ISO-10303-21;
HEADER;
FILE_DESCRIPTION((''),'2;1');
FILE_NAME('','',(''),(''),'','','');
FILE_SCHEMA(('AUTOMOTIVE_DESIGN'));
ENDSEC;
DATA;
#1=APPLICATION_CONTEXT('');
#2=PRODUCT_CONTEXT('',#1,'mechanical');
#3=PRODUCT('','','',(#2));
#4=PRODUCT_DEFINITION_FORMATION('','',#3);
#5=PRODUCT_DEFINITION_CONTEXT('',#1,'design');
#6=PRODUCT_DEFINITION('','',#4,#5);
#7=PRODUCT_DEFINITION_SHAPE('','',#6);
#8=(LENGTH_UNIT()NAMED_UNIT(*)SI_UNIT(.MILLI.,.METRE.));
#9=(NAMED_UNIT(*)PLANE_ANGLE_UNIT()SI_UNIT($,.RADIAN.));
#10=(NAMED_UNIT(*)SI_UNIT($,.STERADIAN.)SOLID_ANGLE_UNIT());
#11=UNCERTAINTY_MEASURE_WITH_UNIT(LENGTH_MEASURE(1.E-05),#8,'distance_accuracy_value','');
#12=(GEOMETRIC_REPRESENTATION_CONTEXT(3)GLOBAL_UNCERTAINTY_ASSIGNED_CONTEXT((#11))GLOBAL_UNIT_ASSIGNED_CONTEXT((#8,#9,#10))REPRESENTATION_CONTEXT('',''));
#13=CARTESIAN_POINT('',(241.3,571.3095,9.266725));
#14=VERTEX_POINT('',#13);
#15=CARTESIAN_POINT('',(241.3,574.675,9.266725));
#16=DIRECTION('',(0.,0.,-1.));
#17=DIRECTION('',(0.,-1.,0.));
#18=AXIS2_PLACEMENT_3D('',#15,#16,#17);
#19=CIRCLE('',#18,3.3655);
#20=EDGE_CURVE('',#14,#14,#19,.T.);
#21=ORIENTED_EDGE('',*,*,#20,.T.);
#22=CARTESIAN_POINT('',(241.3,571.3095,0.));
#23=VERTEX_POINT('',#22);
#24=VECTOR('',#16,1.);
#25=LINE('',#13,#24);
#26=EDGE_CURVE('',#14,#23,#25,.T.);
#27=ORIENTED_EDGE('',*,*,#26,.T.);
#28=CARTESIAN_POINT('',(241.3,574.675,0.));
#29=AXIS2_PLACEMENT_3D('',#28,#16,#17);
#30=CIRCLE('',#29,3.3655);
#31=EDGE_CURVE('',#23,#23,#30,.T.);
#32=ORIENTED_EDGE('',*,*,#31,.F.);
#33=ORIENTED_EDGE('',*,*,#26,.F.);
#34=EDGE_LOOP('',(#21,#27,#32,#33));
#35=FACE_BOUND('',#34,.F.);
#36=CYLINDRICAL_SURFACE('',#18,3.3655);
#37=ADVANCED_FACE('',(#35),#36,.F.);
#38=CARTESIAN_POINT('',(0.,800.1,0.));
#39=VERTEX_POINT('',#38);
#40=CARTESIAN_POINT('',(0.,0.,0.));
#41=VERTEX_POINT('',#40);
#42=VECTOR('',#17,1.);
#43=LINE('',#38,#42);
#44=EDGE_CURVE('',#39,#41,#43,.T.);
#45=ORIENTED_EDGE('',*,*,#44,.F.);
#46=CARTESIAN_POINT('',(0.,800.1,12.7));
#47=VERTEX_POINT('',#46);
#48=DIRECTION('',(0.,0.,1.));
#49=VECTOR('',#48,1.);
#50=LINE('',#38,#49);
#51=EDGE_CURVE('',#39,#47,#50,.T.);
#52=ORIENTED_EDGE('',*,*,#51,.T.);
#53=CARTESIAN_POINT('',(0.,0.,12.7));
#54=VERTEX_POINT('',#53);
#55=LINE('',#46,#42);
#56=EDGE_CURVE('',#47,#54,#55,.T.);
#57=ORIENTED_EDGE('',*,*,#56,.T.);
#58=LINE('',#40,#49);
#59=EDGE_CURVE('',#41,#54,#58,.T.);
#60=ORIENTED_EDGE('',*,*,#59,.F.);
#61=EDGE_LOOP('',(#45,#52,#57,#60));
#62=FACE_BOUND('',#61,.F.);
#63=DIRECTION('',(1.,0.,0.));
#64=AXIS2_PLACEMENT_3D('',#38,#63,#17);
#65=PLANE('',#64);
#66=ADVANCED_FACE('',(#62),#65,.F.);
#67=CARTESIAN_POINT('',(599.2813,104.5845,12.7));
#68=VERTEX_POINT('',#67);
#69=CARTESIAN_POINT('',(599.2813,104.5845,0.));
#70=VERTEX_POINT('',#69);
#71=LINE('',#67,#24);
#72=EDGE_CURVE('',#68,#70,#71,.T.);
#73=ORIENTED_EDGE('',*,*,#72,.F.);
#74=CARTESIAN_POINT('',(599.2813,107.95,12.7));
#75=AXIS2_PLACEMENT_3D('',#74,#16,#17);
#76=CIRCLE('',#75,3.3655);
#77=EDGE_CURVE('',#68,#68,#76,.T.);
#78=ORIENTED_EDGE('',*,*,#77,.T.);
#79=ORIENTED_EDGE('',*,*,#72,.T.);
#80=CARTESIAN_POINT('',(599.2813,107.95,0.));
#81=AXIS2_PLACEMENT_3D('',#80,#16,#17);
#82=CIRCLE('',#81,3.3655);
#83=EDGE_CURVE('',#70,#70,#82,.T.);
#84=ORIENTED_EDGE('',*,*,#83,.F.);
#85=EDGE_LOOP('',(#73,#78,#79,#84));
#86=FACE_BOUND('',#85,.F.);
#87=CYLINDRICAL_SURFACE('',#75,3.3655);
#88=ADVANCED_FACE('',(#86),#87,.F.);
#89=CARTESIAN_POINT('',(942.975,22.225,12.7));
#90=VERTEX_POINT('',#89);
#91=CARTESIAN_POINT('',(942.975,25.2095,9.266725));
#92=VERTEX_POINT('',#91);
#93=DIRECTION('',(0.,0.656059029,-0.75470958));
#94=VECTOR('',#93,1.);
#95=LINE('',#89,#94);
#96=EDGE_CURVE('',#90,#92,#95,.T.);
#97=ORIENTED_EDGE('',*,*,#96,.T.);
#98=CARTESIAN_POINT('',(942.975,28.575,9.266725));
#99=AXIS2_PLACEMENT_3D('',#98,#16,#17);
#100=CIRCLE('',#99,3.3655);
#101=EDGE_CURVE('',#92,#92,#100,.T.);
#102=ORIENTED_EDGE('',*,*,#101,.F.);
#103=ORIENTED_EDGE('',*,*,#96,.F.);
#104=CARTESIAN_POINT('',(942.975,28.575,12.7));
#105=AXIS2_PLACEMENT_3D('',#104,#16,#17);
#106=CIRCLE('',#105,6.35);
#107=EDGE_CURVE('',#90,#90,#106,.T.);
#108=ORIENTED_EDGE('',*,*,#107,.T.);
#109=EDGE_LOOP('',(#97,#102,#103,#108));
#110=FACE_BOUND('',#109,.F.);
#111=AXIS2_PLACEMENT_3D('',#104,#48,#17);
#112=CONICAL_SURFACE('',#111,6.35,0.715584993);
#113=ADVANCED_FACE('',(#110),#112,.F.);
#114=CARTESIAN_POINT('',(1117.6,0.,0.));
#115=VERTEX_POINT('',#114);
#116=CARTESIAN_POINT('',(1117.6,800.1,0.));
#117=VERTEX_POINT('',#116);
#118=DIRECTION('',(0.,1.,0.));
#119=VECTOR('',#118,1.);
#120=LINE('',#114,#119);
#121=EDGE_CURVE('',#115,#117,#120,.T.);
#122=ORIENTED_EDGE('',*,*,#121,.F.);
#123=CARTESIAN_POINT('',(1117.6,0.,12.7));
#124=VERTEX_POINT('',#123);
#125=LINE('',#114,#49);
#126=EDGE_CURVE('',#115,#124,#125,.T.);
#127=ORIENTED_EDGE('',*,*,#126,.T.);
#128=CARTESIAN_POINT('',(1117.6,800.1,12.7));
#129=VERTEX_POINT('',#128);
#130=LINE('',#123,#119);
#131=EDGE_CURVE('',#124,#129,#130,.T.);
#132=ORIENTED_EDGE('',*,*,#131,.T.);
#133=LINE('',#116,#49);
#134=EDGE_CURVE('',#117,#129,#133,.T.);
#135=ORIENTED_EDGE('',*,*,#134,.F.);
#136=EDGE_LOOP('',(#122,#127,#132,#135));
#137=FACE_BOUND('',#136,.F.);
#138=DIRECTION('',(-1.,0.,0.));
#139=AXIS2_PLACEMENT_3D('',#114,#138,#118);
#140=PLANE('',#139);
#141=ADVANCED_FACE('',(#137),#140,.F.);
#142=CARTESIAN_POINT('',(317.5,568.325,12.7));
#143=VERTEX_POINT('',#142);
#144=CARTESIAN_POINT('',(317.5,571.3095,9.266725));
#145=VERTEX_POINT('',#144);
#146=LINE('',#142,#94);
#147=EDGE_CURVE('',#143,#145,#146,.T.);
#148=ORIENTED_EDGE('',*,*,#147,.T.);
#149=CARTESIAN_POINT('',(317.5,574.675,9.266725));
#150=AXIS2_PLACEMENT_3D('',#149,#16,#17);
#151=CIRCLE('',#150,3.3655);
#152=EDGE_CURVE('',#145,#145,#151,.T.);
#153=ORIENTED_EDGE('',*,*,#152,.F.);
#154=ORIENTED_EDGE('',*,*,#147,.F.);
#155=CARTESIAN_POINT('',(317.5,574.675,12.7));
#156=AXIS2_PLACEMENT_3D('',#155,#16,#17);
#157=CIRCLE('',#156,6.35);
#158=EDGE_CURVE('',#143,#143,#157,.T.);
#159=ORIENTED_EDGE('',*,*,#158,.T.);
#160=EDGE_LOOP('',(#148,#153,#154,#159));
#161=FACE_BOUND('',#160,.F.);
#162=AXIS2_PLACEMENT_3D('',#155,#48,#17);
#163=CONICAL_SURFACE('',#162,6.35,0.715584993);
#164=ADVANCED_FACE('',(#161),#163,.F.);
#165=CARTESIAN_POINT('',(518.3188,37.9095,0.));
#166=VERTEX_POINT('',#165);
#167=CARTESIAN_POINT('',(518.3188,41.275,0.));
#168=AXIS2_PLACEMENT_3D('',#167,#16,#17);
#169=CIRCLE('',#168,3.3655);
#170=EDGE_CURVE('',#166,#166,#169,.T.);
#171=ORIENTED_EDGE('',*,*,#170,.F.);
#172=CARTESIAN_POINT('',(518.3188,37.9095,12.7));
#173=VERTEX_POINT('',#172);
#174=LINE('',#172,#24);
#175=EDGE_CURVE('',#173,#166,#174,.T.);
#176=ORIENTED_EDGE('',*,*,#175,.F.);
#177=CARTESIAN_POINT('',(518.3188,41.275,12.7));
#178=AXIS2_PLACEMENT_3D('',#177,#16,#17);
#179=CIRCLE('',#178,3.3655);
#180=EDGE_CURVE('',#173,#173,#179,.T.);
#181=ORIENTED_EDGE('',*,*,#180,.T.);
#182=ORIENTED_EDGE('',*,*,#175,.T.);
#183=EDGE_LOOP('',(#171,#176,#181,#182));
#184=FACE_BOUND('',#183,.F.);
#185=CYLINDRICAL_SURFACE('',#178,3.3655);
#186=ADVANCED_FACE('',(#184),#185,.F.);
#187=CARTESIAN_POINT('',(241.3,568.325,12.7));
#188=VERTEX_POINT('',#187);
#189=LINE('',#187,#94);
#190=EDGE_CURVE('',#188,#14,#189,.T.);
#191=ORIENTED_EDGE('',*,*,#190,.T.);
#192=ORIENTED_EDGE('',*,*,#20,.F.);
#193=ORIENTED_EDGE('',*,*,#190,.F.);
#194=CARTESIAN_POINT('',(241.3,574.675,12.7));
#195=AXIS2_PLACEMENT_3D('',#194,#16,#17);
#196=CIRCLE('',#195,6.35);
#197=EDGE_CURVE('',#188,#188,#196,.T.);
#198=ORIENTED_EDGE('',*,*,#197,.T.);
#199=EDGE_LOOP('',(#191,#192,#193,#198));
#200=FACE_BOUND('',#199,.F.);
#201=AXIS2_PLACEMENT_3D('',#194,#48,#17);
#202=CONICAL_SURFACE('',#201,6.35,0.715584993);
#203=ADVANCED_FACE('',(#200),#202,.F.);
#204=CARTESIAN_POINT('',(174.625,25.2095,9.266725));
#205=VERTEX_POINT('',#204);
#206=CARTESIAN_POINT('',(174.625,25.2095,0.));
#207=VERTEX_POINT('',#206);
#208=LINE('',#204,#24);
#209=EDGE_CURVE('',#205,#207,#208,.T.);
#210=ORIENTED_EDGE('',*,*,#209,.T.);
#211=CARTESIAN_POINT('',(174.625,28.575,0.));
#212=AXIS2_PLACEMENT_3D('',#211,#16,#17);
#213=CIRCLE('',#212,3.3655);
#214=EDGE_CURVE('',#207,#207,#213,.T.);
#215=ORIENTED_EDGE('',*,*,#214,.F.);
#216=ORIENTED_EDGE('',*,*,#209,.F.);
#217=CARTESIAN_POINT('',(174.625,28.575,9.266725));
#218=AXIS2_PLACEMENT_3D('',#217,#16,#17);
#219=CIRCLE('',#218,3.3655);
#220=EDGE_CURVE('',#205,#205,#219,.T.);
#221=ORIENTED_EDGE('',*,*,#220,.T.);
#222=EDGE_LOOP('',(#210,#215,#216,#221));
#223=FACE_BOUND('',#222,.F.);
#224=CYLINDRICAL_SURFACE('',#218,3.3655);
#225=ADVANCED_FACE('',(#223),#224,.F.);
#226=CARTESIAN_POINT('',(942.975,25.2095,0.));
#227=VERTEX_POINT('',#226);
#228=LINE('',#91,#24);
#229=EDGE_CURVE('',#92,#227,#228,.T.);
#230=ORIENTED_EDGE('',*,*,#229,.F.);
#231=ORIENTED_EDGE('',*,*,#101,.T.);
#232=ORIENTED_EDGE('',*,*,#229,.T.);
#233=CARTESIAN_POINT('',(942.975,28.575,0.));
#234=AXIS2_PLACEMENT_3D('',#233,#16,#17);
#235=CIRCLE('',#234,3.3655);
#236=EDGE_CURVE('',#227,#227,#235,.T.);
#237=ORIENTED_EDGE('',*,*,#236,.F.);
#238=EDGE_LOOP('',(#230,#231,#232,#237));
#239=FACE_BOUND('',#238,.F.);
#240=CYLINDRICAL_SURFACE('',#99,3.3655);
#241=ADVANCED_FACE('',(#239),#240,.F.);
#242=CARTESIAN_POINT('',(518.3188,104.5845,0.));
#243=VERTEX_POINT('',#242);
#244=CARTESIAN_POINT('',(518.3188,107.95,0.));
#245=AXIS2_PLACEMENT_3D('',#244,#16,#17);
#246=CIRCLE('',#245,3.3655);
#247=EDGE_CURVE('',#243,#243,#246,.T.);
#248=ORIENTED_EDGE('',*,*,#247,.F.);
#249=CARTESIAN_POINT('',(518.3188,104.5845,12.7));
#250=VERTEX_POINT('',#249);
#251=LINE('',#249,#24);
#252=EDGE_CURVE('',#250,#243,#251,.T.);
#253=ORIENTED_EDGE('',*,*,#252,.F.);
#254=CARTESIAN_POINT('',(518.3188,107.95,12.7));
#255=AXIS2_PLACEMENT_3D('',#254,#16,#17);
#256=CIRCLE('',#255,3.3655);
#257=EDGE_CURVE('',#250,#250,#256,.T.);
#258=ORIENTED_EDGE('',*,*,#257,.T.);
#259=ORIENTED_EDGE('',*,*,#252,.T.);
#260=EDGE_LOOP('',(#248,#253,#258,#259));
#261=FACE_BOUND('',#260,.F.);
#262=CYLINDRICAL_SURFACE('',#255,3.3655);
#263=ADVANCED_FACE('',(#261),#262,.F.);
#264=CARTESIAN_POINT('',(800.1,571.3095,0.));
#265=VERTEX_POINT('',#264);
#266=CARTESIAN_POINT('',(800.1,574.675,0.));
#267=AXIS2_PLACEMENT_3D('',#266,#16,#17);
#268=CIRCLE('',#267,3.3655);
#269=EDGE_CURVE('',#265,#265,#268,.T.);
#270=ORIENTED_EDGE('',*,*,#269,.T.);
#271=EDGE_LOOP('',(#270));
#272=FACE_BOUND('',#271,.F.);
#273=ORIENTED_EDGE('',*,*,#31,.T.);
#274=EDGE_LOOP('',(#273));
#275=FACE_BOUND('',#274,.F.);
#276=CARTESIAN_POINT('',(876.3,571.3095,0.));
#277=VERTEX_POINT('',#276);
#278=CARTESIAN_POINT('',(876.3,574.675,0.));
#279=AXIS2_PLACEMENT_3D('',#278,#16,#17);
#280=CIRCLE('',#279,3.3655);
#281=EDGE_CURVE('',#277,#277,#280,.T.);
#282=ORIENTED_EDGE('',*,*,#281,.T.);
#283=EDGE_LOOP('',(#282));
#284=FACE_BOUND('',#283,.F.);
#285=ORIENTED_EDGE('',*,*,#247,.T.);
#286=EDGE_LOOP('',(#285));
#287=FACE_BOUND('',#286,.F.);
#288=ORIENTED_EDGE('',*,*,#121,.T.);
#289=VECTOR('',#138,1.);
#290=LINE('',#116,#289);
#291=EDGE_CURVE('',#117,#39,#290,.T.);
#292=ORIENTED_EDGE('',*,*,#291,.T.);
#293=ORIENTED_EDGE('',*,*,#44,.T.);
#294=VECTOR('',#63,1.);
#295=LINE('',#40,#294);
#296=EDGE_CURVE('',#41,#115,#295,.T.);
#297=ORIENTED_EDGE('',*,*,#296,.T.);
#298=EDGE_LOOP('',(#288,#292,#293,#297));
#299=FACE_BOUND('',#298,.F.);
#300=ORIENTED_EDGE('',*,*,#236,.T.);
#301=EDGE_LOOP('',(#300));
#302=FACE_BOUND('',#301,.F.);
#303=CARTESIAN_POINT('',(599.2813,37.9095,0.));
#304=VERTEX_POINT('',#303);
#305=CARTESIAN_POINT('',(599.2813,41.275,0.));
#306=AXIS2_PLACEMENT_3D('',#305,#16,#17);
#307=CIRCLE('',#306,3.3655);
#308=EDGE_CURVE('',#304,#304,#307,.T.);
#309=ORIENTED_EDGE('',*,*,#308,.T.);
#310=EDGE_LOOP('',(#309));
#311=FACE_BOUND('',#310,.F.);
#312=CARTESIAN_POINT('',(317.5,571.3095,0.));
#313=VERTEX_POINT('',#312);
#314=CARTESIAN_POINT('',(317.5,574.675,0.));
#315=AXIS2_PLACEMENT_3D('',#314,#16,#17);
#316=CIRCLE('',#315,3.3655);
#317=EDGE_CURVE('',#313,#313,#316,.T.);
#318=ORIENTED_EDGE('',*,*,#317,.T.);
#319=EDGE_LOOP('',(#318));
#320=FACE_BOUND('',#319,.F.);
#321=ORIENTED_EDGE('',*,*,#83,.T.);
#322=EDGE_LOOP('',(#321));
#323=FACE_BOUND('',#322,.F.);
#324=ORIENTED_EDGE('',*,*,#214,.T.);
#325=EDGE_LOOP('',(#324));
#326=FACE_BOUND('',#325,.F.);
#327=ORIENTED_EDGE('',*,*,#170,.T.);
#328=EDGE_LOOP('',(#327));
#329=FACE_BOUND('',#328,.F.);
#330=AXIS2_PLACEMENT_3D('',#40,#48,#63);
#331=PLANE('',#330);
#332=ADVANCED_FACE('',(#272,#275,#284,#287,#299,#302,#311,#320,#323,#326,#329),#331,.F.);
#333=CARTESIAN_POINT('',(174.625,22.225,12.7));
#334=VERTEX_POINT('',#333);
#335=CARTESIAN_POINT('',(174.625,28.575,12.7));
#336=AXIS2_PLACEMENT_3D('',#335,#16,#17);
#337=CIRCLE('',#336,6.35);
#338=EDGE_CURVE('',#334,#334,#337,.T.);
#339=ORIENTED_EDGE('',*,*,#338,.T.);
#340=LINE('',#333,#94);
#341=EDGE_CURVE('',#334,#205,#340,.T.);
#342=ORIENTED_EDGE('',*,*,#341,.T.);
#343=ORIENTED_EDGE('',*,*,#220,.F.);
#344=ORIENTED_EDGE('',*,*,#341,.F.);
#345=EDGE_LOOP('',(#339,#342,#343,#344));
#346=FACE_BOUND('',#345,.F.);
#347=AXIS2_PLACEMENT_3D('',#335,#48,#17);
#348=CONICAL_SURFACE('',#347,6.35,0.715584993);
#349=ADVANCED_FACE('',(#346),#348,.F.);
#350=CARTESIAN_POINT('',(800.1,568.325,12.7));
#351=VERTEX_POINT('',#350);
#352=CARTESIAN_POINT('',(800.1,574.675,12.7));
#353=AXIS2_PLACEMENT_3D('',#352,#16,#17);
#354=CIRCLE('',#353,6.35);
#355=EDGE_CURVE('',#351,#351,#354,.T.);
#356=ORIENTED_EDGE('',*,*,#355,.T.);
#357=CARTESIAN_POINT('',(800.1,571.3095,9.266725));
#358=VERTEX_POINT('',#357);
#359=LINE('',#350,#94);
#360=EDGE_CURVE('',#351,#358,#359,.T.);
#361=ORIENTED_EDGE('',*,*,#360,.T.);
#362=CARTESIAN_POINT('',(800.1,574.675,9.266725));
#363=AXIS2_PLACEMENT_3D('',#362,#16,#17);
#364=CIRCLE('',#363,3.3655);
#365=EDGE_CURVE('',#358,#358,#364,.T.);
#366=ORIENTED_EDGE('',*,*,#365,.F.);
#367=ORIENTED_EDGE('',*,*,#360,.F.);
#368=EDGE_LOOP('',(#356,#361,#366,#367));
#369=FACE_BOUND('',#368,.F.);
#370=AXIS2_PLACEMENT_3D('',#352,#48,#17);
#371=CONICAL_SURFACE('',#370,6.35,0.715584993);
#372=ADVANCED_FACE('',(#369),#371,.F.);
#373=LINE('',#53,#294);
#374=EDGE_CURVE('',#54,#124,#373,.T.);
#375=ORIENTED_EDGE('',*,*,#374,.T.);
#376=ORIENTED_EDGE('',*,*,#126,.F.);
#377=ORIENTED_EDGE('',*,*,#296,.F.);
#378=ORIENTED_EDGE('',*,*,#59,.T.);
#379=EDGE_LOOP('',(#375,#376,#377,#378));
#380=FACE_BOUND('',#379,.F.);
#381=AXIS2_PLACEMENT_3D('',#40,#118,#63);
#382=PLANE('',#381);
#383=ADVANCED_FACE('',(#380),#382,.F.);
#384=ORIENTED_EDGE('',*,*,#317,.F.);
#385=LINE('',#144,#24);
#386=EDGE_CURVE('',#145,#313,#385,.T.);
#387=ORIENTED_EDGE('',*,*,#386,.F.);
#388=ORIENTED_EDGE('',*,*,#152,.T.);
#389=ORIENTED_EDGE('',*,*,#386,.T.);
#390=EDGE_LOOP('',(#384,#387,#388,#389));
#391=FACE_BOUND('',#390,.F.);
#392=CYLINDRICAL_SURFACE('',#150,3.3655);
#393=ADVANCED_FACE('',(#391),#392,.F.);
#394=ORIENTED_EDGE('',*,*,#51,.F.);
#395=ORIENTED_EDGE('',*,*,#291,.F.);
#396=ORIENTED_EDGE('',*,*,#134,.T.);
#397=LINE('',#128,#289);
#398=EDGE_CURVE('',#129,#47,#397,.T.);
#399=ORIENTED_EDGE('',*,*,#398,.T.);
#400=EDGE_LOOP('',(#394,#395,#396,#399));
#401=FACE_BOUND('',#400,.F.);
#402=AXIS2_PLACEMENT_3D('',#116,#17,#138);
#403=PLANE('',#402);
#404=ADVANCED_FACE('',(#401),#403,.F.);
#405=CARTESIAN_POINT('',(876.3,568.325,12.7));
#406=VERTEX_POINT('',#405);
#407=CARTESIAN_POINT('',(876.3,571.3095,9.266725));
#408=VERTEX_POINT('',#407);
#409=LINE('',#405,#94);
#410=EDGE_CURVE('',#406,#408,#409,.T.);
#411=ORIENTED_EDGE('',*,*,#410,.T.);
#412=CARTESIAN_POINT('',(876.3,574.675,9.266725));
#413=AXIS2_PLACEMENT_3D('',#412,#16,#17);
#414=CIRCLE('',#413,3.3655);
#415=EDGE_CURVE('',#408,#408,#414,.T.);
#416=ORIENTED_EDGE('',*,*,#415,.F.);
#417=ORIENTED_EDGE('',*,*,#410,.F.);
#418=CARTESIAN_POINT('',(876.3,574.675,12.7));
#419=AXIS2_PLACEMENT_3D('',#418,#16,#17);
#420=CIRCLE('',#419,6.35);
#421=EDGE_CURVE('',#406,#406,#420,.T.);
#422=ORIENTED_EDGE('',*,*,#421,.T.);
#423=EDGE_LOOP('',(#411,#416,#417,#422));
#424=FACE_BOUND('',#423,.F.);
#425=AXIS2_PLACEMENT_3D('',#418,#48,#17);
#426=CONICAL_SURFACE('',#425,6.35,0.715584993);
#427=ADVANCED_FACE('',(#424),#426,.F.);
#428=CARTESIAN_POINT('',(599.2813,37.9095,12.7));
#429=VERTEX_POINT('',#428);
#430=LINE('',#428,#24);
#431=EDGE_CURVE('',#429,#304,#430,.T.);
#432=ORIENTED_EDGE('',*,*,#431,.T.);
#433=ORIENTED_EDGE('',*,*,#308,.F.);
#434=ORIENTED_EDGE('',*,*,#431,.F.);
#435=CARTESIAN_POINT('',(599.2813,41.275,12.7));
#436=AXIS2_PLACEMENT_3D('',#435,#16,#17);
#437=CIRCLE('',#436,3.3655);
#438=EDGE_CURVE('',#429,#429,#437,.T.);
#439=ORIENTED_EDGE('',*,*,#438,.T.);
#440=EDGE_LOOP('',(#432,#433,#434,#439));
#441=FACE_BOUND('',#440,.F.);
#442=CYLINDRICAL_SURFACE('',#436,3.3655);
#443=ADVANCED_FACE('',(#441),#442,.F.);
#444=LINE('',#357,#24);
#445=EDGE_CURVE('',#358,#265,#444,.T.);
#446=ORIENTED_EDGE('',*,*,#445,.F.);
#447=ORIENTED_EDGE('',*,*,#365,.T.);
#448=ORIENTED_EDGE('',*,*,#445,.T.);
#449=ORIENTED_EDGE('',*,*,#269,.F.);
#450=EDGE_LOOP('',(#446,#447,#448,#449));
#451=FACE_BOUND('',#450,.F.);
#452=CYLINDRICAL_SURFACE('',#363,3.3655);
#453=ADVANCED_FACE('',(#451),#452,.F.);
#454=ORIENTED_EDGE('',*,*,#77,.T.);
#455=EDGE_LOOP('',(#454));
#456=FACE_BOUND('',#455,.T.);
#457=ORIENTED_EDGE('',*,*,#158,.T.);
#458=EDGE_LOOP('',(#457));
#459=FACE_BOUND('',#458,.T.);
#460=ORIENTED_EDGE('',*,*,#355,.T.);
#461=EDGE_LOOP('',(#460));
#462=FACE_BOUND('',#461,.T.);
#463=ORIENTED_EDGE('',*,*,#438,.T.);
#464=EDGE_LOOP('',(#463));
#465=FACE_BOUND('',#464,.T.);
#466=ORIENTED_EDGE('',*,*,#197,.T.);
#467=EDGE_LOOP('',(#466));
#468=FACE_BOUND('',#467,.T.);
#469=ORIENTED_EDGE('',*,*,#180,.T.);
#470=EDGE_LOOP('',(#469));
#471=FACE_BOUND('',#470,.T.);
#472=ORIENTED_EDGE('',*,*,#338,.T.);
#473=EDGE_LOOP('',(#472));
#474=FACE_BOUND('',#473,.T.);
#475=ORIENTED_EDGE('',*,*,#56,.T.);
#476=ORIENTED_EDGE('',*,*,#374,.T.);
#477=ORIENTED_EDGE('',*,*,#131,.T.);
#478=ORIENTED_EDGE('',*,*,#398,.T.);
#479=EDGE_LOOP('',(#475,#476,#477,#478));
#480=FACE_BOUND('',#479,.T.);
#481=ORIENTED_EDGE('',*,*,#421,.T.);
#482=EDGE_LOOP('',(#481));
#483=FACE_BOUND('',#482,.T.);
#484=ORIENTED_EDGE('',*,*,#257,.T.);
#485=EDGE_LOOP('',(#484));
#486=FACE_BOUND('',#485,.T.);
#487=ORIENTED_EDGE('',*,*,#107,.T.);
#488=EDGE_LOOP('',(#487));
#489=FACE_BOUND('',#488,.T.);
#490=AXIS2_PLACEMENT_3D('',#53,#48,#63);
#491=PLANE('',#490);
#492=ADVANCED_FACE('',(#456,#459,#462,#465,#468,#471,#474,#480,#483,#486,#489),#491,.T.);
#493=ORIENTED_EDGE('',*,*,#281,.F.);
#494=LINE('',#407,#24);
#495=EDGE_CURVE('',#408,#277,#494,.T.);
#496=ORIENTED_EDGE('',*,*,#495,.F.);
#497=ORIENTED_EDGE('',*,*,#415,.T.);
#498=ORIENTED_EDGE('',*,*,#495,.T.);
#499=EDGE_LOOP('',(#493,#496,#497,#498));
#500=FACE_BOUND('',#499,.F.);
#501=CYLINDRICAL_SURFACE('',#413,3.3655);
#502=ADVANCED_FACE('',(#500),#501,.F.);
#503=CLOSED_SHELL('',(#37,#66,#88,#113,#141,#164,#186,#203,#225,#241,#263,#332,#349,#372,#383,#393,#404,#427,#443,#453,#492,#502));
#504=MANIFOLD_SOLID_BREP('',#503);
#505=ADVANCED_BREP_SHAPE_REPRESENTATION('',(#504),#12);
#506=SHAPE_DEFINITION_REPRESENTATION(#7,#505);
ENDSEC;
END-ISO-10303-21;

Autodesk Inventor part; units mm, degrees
ref_plane "YZ Plane" through (0, 0, 0) normal (1, 0, 0) x (0, 1, 0)
ref_plane "XZ Plane" through (0, 0, 0) normal (0, 1, 0) x (-1, 0, 0)
ref_plane "XY Plane" through (0, 0, 0) normal (0, 0, 1) x (1, 0, 0)
sketch "Sketch1" plane through (0, 0, 0) normal (0, 0, 1) x (1, 0, 0)
  line L0 (0, 0) -> (1117.6, 0)
  line L1 (1117.6, 0) -> (1117.6, 800.1)
  line L2 (1117.6, 800.1) -> (0, 800.1)
  line L3 (0, 800.1) -> (0, 0)
  dimension "d0" = 1117.6
  dimension "d1" = 800.1
extrude "Extrusion1" add sketch "Sketch1" along normal blind 12.7
hole "Hole1" at (518.3188, 41.275, 12.7) direction (0, 0, -1) diameter 6.731 end through all
pattern_linear "Rectangular Pattern1" count 2 spacing 66.675 along (0, 1, 0) count 2 spacing 80.9625 along (1, 0, 0) of "Hole1"
hole "Hole2" at (241.3, 574.675, 12.7) direction (0, 0, -1) diameter 6.731 depth 25.4 tip angle 118 countersink diameter 12.7 countersink angle 82
pattern_linear "Rectangular Pattern2" count 2 spacing 76.2 along (1, 0, 0) of "Hole2"
hole "Hole3" at (876.3, 574.675, 12.7) direction (0, 0, -1) diameter 6.731 depth 25.4 tip angle 118 countersink diameter 12.7 countersink angle 82
pattern_linear "Rectangular Pattern3" count 2 spacing 76.2 along (-1, 0, 0) of "Hole3"
hole "Hole4" at (174.625, 28.575, 12.7) direction (0, 0, -1) diameter 6.731 depth 25.4 tip angle 118 countersink diameter 12.7 countersink angle 82
hole "Hole5" at (942.975, 28.575, 12.7) direction (0, 0, -1) diameter 6.731 depth 25.4 tip angle 118 countersink diameter 12.7 countersink angle 82
properties part number "GE-12012"
